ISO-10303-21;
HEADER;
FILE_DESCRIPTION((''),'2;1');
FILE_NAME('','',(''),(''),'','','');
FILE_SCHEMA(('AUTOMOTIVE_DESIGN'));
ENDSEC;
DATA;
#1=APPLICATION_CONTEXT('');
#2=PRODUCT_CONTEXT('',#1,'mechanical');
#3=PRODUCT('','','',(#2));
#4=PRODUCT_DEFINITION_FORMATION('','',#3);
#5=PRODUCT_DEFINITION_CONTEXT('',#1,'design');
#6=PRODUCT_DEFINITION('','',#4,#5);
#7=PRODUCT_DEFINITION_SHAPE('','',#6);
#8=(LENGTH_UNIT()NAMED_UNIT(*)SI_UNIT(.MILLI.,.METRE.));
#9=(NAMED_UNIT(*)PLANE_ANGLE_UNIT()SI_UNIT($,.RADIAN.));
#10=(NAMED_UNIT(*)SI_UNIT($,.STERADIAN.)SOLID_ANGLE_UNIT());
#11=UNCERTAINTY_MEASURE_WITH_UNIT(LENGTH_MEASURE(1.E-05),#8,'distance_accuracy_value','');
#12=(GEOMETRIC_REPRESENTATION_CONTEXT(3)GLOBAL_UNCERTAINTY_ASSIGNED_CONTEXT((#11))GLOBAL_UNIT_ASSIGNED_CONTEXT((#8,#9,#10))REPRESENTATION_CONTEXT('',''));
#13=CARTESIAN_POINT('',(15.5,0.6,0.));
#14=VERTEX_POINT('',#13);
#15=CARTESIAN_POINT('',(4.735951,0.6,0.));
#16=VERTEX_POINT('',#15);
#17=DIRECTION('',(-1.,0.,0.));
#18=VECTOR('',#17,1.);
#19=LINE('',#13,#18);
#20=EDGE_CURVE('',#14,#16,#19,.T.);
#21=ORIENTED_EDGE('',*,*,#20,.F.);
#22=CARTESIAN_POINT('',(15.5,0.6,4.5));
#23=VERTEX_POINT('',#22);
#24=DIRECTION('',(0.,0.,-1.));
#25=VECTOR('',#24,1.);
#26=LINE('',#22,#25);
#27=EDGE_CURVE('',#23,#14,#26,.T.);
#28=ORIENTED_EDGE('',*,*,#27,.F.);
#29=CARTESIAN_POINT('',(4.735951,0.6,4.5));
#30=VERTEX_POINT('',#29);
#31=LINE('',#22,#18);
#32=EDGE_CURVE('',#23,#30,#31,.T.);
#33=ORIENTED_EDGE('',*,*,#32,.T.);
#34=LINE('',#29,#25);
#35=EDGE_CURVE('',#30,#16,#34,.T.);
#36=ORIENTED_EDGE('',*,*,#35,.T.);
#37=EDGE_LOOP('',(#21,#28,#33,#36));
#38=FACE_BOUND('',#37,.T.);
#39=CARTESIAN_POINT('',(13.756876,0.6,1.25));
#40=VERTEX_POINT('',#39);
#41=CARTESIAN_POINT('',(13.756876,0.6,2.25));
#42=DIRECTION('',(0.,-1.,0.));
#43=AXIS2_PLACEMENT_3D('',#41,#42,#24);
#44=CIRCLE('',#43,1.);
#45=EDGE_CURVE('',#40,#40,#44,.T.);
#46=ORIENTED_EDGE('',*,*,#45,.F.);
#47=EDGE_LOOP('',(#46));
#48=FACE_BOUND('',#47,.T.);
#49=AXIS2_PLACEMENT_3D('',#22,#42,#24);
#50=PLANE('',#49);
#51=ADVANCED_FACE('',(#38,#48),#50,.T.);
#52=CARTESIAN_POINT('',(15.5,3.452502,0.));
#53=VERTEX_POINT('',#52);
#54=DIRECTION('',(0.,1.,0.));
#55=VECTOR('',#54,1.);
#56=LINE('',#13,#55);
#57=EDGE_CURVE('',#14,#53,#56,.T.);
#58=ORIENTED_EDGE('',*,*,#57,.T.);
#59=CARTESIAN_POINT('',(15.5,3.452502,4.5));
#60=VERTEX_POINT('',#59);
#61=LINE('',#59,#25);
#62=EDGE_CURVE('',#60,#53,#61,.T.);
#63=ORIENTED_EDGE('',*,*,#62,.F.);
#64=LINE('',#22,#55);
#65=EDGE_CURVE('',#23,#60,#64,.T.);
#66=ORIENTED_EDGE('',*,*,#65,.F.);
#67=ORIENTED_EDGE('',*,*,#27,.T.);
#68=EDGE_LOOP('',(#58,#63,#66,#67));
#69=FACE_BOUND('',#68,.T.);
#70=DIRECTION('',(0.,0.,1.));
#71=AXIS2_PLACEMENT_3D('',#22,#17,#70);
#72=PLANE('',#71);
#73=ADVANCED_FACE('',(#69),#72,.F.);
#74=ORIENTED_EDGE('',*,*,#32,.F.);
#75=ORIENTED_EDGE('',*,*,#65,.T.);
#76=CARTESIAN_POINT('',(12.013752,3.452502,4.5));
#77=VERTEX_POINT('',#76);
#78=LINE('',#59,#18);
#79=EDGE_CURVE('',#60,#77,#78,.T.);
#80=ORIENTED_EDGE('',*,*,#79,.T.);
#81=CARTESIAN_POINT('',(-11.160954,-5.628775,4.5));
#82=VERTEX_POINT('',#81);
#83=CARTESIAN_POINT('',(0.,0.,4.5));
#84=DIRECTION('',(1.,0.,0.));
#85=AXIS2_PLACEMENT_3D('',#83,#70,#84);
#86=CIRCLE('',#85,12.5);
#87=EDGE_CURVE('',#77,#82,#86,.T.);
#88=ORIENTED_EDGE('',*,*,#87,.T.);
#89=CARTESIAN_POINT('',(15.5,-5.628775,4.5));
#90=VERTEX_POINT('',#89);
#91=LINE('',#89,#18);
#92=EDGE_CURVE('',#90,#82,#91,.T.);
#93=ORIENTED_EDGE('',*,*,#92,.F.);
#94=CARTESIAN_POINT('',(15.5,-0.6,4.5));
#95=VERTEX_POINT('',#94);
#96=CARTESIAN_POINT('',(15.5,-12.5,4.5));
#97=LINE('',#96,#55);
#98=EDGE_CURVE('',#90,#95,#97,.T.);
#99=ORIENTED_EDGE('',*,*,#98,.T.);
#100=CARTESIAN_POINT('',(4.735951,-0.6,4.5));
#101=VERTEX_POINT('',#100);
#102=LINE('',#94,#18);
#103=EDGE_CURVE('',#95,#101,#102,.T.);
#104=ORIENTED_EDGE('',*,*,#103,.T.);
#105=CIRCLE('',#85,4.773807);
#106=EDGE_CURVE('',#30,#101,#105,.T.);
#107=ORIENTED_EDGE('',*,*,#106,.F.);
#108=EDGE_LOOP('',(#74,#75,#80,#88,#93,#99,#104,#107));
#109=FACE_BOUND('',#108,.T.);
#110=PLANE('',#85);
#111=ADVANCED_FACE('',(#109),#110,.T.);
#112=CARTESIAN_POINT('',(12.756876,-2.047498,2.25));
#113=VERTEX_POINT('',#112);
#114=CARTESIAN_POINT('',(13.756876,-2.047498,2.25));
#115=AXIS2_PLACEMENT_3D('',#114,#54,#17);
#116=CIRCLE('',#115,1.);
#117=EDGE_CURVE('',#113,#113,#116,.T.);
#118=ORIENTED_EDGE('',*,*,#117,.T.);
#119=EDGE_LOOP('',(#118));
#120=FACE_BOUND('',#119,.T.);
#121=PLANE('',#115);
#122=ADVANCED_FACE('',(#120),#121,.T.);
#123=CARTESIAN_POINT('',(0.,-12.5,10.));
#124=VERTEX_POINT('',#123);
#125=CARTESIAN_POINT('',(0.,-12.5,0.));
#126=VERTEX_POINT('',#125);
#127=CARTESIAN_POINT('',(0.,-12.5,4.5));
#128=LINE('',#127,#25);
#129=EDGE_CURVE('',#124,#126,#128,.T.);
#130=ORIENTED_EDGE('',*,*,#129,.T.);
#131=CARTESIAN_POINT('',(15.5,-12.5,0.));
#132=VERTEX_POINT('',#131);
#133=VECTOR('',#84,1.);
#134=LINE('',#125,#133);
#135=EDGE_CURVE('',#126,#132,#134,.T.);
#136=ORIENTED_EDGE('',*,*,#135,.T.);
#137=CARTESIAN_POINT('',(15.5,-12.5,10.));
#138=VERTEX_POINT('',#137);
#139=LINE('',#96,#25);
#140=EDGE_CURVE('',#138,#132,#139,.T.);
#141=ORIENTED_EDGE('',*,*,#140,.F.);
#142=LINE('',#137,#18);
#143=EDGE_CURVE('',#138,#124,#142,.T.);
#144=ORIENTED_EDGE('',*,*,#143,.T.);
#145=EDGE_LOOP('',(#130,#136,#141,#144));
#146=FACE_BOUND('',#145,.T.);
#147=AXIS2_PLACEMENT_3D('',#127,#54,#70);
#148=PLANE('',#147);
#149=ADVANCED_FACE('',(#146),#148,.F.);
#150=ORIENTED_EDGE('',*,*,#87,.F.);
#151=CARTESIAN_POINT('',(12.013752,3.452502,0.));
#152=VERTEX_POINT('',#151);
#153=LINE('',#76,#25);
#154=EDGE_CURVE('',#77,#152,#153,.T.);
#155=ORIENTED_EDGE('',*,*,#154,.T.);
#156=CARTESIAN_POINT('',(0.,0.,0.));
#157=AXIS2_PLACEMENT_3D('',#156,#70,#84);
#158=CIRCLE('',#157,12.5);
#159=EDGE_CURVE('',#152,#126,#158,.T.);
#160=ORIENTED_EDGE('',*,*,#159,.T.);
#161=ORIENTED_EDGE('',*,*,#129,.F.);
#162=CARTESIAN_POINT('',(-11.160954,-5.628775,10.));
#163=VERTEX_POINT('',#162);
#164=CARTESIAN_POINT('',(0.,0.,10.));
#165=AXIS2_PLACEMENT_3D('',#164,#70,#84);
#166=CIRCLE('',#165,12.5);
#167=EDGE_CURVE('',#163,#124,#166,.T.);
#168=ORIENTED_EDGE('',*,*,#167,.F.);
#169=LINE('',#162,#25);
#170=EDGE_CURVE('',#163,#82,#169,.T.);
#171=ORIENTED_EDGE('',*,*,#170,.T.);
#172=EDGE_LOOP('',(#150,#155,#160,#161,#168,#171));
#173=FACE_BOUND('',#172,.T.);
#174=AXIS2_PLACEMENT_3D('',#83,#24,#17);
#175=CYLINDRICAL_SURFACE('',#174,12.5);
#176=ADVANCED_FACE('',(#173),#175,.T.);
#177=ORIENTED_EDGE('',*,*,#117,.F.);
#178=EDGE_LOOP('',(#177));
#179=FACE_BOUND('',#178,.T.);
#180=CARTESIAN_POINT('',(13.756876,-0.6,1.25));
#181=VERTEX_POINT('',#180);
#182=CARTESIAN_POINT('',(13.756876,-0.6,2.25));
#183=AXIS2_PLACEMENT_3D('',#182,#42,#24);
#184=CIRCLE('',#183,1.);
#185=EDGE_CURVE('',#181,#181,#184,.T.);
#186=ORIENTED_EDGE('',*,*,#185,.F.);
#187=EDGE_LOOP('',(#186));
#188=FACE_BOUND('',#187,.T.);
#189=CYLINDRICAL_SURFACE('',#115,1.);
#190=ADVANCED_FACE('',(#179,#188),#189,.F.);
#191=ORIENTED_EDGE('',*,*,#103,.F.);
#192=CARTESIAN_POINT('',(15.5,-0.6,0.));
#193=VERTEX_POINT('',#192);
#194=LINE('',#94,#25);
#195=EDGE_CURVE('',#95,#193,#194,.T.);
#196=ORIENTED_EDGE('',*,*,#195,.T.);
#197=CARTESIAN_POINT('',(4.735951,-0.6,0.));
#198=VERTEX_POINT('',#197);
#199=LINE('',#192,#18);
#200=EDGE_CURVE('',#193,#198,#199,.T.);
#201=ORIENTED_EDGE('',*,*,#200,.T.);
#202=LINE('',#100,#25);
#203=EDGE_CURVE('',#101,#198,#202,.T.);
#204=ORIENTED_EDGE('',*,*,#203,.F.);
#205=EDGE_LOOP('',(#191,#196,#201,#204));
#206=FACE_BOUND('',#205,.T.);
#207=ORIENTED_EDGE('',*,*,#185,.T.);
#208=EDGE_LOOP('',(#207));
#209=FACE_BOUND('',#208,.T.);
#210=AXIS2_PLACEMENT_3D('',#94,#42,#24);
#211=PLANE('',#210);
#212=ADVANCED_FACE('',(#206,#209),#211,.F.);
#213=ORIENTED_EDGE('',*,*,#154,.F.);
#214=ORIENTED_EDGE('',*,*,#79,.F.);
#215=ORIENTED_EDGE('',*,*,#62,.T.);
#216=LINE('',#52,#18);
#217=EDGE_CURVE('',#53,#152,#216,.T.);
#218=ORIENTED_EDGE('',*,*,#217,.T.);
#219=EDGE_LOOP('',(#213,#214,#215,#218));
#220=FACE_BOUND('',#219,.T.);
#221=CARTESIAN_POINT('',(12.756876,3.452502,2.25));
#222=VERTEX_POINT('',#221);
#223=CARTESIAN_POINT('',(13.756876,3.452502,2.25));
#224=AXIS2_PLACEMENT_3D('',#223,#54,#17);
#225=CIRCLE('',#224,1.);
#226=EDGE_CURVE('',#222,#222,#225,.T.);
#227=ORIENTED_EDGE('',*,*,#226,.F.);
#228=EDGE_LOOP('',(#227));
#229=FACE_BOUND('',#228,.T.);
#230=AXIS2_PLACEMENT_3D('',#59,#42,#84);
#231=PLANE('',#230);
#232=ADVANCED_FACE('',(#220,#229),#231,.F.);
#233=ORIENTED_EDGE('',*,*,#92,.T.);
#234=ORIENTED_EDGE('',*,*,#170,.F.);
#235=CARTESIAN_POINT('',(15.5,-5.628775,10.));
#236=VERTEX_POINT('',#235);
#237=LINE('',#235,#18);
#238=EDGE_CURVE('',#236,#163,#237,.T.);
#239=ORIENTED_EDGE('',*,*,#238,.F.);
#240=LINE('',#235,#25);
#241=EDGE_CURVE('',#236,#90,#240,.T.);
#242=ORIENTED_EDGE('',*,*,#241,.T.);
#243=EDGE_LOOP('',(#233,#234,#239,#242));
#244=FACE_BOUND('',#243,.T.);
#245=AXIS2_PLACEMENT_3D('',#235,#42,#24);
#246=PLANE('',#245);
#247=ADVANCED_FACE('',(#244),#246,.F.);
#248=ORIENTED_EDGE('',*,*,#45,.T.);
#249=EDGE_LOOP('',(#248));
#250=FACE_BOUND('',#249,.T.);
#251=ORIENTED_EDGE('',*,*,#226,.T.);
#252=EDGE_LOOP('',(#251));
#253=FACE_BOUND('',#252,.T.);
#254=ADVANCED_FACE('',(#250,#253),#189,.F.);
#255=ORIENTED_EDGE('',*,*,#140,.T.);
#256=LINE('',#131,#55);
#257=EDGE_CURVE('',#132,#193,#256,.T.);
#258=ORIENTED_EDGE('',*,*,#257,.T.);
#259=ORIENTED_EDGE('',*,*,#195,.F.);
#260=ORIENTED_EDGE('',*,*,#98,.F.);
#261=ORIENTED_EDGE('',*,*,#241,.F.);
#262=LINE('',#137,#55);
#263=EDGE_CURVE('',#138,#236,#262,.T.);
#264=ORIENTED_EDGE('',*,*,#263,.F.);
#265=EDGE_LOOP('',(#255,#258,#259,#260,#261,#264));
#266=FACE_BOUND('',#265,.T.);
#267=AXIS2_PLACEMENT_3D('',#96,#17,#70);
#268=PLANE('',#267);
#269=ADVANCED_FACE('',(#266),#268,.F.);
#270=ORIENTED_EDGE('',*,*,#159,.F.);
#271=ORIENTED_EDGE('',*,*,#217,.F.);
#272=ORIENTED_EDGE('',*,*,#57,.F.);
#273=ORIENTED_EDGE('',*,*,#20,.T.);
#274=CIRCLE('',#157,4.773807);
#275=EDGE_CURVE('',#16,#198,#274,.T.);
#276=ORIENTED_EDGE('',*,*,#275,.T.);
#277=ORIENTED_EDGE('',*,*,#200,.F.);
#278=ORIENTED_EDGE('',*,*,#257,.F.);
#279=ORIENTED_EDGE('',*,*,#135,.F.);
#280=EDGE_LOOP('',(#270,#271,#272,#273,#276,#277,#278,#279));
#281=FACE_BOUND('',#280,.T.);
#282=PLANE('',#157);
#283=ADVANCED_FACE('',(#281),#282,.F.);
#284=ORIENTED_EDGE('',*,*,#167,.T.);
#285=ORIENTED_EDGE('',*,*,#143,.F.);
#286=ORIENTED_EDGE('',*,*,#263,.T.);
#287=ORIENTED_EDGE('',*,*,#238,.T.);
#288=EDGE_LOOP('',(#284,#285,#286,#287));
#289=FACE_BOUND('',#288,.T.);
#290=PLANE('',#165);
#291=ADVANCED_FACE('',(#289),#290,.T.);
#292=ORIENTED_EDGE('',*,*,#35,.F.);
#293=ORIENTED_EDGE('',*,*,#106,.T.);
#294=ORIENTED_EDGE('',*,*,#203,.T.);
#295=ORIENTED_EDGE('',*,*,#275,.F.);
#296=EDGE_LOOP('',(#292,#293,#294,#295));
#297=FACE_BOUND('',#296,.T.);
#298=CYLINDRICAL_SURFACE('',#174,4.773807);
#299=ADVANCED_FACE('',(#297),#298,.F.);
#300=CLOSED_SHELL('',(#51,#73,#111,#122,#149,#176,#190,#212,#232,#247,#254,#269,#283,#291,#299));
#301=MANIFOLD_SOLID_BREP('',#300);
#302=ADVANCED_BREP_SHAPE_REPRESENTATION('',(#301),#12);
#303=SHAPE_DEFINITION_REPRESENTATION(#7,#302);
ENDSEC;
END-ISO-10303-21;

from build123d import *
from build123d.topology import SkipClean

# Parameters (mm, degrees)
BOSS_EXTRUDE1_DEPTH = 4.5
BOSS_EXTRUDE2_DEPTH = 5.5
SKETCH4_R           = 1
CUT_EXTRUDE1_DEPTH  = 5.5


with BuildPart() as part:
    # Sketch1 → Boss-Extrude1 (new body)
    with BuildSketch(Plane.XY):
        with BuildLine():
            Line((0, -12.5), (15.5, -12.5))
            Line((15.5, -12.5), (15.5, -0.6))
            Line((15.5, -0.6), (4.735951007, -0.6))
            ThreePointArc((4.735951007, -0.6), (-4.77380686, 0), (4.735951007, 0.6))
            Line((4.735951007, 0.6), (15.5, 0.6))
            Line((15.5, 0.6), (15.5, 3.452502188))
            Line((15.5, 3.452502188), (12.013751647, 3.452502188))
            ThreePointArc((12.013751647, 3.452502188), (-9.985145901, 7.519764712), (0, -12.5))
        make_face()
    extrude(amount=BOSS_EXTRUDE1_DEPTH)

    # Sketch2 → Boss-Extrude2 (add)
    with SkipClean():  # the faces are left unmerged after this step: merging them gives an invalid solid
        with BuildSketch(Plane.XY.offset(4.5)):
            with BuildLine():
                Line((15.5, -12.5), (0, -12.5))
                ThreePointArc((0, -12.5), (-6.553255279, -10.644474869), (-11.160953781, -5.628775239))
                Line((-11.160953781, -5.628775239), (15.5, -5.628775239))
                Line((15.5, -5.628775239), (15.5, -12.5))
            make_face()
        extrude(amount=BOSS_EXTRUDE2_DEPTH)

    # Sketch4 → Cut-Extrude1 (cut)
    with SkipClean():  # the faces are left unmerged after this step: merging them gives an invalid solid
        with BuildSketch(Plane(origin=(0, 3.452502188, 0), x_dir=(1, 0, 0), z_dir=(0, 1, 0))):
            with Locations(Location((13.756875824, -2.25, 0), (0, 0, 180))):
                Circle(SKETCH4_R)
        extrude(amount=-CUT_EXTRUDE1_DEPTH, mode=Mode.SUBTRACT)


solid = part.part
